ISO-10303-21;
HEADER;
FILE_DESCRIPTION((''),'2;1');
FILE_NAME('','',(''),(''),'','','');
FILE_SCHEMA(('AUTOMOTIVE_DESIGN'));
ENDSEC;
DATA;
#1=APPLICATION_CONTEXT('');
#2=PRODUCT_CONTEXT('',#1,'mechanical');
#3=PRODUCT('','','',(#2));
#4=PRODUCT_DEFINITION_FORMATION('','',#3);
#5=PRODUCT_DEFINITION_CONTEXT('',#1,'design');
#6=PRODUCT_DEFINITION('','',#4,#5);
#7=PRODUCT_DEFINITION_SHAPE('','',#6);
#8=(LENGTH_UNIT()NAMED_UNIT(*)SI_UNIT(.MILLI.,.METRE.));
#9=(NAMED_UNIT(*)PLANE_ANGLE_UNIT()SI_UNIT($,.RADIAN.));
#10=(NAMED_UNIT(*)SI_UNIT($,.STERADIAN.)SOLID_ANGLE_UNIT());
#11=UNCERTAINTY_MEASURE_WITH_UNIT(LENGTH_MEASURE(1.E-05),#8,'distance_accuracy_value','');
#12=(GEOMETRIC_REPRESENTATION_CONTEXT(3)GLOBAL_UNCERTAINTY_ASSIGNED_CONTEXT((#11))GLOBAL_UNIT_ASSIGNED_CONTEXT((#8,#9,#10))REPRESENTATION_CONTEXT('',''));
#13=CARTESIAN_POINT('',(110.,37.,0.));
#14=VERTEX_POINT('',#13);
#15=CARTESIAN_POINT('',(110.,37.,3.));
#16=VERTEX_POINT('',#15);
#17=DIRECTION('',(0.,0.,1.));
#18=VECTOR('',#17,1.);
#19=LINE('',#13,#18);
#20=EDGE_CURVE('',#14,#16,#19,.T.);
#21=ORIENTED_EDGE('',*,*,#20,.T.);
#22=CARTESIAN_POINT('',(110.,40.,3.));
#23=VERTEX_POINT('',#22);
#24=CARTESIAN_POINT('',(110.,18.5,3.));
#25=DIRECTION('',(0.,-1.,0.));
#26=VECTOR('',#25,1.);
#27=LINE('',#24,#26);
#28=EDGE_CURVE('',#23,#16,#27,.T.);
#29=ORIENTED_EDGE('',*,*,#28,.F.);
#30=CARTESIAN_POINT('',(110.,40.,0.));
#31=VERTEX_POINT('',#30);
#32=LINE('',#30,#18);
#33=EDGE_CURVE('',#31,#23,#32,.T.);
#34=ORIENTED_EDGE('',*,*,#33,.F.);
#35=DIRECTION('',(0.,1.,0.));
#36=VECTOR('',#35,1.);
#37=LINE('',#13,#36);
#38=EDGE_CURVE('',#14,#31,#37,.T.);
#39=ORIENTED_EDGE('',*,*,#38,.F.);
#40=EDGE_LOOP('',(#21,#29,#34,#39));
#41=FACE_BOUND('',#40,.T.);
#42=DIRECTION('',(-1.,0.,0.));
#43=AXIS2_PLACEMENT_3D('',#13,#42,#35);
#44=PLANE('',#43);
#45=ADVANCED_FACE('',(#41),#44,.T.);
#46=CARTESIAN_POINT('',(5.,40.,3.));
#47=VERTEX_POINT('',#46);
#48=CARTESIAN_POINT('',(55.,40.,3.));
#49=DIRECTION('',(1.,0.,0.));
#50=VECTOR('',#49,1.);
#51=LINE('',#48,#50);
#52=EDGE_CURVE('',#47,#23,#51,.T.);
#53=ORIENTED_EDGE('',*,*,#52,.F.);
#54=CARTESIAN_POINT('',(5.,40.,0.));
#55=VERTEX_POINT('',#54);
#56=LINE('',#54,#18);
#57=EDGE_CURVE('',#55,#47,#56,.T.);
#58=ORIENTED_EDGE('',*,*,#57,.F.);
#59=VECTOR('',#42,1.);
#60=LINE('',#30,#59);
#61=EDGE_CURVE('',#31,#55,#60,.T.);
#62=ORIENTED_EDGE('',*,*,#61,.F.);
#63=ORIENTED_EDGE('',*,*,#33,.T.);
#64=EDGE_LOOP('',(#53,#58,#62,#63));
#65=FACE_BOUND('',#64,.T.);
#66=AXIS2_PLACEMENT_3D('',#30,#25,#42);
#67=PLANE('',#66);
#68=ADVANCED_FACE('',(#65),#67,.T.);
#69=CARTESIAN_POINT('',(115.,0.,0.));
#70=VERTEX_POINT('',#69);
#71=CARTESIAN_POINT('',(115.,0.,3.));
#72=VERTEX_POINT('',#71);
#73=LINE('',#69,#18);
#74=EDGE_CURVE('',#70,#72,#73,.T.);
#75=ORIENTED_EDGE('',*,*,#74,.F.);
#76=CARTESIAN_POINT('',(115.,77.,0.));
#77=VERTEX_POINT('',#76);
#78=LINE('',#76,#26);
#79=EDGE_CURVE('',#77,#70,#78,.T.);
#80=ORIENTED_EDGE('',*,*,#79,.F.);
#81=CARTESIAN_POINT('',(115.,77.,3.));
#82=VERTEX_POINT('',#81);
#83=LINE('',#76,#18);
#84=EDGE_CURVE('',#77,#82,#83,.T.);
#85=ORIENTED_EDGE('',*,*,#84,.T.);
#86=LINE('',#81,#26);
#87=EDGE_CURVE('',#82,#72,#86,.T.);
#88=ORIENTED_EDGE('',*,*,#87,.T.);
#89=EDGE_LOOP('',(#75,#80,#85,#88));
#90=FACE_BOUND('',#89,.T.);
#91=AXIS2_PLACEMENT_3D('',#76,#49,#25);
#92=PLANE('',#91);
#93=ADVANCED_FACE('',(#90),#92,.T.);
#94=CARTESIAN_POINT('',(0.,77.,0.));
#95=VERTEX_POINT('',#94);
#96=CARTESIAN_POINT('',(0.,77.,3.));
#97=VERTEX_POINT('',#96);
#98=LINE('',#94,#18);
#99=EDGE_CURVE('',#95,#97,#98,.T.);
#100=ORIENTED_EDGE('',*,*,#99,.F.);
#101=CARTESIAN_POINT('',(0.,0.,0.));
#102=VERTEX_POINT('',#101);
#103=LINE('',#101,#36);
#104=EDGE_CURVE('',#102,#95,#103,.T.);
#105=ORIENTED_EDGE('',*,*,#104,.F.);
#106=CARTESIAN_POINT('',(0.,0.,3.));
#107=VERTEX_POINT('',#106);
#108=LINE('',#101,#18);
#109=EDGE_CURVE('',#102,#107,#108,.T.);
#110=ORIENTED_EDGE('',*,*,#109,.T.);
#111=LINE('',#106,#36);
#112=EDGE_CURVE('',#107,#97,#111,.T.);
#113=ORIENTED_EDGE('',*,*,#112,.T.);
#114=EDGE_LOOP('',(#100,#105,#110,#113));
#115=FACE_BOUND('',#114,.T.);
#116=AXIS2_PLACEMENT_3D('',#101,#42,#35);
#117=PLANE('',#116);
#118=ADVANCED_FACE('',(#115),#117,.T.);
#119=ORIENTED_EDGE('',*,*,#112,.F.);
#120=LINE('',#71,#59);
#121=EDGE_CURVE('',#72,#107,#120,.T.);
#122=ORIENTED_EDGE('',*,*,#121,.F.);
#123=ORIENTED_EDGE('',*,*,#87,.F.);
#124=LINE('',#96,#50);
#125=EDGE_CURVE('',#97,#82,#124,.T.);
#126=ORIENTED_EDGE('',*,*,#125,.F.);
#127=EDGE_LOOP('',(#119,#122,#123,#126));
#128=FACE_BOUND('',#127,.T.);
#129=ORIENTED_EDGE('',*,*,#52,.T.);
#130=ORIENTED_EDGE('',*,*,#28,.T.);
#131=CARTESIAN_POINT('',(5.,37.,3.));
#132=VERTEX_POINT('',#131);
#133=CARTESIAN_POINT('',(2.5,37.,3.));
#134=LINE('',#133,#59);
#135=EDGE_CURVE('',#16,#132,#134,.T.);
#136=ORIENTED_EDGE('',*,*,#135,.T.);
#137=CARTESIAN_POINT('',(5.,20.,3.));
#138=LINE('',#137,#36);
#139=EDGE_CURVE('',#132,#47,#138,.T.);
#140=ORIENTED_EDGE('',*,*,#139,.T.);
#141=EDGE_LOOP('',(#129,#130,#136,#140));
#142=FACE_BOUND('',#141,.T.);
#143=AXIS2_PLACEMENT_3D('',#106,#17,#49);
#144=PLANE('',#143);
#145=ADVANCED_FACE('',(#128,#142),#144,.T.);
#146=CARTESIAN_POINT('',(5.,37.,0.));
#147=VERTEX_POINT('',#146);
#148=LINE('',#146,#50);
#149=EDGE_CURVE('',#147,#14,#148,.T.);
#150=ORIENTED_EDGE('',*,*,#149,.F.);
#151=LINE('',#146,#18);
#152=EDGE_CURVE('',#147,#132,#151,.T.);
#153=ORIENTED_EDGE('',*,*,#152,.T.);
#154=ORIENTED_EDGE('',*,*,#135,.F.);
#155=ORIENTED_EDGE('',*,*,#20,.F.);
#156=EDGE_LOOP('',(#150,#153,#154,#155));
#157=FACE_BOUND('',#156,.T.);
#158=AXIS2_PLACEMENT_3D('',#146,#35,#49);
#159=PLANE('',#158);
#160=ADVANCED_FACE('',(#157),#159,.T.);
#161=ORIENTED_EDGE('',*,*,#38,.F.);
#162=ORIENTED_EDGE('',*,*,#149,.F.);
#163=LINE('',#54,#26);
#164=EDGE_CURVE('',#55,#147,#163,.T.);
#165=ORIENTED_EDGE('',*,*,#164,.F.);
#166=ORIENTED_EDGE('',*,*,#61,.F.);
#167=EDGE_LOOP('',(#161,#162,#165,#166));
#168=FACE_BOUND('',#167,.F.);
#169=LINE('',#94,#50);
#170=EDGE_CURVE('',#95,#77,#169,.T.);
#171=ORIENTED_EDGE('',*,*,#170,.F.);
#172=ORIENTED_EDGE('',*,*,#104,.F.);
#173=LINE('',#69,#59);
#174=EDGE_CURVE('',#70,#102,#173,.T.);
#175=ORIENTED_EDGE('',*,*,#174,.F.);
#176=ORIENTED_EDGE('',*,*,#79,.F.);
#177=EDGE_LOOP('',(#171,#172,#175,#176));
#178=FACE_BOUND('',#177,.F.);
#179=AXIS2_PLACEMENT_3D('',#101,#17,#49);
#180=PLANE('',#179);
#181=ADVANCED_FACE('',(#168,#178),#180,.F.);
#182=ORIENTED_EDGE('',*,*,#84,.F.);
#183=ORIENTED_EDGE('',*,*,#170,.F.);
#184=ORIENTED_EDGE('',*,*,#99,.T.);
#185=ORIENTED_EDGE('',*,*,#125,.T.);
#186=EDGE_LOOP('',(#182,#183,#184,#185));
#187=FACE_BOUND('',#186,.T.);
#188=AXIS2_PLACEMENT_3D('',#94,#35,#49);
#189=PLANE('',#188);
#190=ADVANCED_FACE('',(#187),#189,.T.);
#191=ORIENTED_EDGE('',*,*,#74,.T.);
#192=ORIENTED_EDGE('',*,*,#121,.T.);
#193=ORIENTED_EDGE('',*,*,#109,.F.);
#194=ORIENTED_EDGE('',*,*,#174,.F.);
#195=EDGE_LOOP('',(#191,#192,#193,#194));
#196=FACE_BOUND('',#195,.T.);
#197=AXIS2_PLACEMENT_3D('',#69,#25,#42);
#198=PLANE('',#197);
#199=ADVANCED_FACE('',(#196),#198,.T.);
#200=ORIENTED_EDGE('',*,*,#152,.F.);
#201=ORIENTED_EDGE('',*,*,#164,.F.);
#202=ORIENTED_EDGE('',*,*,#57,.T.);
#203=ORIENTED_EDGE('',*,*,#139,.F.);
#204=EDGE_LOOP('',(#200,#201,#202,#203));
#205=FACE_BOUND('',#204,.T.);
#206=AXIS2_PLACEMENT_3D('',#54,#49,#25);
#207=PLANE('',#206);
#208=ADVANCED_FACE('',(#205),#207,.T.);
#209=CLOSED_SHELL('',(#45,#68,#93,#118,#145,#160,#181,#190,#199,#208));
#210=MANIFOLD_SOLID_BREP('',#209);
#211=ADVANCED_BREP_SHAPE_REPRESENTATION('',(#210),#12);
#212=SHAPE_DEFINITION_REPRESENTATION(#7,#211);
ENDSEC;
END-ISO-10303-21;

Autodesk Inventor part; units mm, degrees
ref_plane "YZ Plane" through (0, 0, 0) normal (1, 0, 0) x (0, 1, 0)
ref_plane "XZ Plane" through (0, 0, 0) normal (0, 1, 0) x (-1, 0, 0)
ref_plane "XY Plane" through (0, 0, 0) normal (0, 0, 1) x (1, 0, 0)
sketch "Sketch1" plane through (0, 0, 0) normal (0, 0, 1) x (1, 0, 0)
  line L0 (0, 0) -> (0, 77)
  line L1 (0, 77) -> (115, 77)
  line L2 (115, 77) -> (115, 0)
  line L3 (115, 0) -> (0, 0)
  dimension "d0" = 77
  dimension "d1" = 115
extrude "Extrusion1" add sketch "Sketch1" along normal blind 3
sketch "Sketch2" plane through (0, 0, 0) normal (0, 0, -1) x (-1, 0, 0)
  line L0 (-110, 40) -> (-5, 40)
  line L1 (-5, 40) -> (-5, 37)
  line L2 (-5, 37) -> (-110, 37)
  line L3 (-110, 37) -> (-110, 40)
  line L4 (0, 77) -> (0, 0) projected
  line L5 (-115, 0) -> (-115, 77) projected
  point P0 (-5, 38.5)
  point P1 (0, 38.5)
  dimension "d4" = 3
  dimension "d5" = 5
  dimension "d6" = 5
extrude "Extrusion2" cut sketch "Sketch2" against normal blind 10
properties part number "rampa"
